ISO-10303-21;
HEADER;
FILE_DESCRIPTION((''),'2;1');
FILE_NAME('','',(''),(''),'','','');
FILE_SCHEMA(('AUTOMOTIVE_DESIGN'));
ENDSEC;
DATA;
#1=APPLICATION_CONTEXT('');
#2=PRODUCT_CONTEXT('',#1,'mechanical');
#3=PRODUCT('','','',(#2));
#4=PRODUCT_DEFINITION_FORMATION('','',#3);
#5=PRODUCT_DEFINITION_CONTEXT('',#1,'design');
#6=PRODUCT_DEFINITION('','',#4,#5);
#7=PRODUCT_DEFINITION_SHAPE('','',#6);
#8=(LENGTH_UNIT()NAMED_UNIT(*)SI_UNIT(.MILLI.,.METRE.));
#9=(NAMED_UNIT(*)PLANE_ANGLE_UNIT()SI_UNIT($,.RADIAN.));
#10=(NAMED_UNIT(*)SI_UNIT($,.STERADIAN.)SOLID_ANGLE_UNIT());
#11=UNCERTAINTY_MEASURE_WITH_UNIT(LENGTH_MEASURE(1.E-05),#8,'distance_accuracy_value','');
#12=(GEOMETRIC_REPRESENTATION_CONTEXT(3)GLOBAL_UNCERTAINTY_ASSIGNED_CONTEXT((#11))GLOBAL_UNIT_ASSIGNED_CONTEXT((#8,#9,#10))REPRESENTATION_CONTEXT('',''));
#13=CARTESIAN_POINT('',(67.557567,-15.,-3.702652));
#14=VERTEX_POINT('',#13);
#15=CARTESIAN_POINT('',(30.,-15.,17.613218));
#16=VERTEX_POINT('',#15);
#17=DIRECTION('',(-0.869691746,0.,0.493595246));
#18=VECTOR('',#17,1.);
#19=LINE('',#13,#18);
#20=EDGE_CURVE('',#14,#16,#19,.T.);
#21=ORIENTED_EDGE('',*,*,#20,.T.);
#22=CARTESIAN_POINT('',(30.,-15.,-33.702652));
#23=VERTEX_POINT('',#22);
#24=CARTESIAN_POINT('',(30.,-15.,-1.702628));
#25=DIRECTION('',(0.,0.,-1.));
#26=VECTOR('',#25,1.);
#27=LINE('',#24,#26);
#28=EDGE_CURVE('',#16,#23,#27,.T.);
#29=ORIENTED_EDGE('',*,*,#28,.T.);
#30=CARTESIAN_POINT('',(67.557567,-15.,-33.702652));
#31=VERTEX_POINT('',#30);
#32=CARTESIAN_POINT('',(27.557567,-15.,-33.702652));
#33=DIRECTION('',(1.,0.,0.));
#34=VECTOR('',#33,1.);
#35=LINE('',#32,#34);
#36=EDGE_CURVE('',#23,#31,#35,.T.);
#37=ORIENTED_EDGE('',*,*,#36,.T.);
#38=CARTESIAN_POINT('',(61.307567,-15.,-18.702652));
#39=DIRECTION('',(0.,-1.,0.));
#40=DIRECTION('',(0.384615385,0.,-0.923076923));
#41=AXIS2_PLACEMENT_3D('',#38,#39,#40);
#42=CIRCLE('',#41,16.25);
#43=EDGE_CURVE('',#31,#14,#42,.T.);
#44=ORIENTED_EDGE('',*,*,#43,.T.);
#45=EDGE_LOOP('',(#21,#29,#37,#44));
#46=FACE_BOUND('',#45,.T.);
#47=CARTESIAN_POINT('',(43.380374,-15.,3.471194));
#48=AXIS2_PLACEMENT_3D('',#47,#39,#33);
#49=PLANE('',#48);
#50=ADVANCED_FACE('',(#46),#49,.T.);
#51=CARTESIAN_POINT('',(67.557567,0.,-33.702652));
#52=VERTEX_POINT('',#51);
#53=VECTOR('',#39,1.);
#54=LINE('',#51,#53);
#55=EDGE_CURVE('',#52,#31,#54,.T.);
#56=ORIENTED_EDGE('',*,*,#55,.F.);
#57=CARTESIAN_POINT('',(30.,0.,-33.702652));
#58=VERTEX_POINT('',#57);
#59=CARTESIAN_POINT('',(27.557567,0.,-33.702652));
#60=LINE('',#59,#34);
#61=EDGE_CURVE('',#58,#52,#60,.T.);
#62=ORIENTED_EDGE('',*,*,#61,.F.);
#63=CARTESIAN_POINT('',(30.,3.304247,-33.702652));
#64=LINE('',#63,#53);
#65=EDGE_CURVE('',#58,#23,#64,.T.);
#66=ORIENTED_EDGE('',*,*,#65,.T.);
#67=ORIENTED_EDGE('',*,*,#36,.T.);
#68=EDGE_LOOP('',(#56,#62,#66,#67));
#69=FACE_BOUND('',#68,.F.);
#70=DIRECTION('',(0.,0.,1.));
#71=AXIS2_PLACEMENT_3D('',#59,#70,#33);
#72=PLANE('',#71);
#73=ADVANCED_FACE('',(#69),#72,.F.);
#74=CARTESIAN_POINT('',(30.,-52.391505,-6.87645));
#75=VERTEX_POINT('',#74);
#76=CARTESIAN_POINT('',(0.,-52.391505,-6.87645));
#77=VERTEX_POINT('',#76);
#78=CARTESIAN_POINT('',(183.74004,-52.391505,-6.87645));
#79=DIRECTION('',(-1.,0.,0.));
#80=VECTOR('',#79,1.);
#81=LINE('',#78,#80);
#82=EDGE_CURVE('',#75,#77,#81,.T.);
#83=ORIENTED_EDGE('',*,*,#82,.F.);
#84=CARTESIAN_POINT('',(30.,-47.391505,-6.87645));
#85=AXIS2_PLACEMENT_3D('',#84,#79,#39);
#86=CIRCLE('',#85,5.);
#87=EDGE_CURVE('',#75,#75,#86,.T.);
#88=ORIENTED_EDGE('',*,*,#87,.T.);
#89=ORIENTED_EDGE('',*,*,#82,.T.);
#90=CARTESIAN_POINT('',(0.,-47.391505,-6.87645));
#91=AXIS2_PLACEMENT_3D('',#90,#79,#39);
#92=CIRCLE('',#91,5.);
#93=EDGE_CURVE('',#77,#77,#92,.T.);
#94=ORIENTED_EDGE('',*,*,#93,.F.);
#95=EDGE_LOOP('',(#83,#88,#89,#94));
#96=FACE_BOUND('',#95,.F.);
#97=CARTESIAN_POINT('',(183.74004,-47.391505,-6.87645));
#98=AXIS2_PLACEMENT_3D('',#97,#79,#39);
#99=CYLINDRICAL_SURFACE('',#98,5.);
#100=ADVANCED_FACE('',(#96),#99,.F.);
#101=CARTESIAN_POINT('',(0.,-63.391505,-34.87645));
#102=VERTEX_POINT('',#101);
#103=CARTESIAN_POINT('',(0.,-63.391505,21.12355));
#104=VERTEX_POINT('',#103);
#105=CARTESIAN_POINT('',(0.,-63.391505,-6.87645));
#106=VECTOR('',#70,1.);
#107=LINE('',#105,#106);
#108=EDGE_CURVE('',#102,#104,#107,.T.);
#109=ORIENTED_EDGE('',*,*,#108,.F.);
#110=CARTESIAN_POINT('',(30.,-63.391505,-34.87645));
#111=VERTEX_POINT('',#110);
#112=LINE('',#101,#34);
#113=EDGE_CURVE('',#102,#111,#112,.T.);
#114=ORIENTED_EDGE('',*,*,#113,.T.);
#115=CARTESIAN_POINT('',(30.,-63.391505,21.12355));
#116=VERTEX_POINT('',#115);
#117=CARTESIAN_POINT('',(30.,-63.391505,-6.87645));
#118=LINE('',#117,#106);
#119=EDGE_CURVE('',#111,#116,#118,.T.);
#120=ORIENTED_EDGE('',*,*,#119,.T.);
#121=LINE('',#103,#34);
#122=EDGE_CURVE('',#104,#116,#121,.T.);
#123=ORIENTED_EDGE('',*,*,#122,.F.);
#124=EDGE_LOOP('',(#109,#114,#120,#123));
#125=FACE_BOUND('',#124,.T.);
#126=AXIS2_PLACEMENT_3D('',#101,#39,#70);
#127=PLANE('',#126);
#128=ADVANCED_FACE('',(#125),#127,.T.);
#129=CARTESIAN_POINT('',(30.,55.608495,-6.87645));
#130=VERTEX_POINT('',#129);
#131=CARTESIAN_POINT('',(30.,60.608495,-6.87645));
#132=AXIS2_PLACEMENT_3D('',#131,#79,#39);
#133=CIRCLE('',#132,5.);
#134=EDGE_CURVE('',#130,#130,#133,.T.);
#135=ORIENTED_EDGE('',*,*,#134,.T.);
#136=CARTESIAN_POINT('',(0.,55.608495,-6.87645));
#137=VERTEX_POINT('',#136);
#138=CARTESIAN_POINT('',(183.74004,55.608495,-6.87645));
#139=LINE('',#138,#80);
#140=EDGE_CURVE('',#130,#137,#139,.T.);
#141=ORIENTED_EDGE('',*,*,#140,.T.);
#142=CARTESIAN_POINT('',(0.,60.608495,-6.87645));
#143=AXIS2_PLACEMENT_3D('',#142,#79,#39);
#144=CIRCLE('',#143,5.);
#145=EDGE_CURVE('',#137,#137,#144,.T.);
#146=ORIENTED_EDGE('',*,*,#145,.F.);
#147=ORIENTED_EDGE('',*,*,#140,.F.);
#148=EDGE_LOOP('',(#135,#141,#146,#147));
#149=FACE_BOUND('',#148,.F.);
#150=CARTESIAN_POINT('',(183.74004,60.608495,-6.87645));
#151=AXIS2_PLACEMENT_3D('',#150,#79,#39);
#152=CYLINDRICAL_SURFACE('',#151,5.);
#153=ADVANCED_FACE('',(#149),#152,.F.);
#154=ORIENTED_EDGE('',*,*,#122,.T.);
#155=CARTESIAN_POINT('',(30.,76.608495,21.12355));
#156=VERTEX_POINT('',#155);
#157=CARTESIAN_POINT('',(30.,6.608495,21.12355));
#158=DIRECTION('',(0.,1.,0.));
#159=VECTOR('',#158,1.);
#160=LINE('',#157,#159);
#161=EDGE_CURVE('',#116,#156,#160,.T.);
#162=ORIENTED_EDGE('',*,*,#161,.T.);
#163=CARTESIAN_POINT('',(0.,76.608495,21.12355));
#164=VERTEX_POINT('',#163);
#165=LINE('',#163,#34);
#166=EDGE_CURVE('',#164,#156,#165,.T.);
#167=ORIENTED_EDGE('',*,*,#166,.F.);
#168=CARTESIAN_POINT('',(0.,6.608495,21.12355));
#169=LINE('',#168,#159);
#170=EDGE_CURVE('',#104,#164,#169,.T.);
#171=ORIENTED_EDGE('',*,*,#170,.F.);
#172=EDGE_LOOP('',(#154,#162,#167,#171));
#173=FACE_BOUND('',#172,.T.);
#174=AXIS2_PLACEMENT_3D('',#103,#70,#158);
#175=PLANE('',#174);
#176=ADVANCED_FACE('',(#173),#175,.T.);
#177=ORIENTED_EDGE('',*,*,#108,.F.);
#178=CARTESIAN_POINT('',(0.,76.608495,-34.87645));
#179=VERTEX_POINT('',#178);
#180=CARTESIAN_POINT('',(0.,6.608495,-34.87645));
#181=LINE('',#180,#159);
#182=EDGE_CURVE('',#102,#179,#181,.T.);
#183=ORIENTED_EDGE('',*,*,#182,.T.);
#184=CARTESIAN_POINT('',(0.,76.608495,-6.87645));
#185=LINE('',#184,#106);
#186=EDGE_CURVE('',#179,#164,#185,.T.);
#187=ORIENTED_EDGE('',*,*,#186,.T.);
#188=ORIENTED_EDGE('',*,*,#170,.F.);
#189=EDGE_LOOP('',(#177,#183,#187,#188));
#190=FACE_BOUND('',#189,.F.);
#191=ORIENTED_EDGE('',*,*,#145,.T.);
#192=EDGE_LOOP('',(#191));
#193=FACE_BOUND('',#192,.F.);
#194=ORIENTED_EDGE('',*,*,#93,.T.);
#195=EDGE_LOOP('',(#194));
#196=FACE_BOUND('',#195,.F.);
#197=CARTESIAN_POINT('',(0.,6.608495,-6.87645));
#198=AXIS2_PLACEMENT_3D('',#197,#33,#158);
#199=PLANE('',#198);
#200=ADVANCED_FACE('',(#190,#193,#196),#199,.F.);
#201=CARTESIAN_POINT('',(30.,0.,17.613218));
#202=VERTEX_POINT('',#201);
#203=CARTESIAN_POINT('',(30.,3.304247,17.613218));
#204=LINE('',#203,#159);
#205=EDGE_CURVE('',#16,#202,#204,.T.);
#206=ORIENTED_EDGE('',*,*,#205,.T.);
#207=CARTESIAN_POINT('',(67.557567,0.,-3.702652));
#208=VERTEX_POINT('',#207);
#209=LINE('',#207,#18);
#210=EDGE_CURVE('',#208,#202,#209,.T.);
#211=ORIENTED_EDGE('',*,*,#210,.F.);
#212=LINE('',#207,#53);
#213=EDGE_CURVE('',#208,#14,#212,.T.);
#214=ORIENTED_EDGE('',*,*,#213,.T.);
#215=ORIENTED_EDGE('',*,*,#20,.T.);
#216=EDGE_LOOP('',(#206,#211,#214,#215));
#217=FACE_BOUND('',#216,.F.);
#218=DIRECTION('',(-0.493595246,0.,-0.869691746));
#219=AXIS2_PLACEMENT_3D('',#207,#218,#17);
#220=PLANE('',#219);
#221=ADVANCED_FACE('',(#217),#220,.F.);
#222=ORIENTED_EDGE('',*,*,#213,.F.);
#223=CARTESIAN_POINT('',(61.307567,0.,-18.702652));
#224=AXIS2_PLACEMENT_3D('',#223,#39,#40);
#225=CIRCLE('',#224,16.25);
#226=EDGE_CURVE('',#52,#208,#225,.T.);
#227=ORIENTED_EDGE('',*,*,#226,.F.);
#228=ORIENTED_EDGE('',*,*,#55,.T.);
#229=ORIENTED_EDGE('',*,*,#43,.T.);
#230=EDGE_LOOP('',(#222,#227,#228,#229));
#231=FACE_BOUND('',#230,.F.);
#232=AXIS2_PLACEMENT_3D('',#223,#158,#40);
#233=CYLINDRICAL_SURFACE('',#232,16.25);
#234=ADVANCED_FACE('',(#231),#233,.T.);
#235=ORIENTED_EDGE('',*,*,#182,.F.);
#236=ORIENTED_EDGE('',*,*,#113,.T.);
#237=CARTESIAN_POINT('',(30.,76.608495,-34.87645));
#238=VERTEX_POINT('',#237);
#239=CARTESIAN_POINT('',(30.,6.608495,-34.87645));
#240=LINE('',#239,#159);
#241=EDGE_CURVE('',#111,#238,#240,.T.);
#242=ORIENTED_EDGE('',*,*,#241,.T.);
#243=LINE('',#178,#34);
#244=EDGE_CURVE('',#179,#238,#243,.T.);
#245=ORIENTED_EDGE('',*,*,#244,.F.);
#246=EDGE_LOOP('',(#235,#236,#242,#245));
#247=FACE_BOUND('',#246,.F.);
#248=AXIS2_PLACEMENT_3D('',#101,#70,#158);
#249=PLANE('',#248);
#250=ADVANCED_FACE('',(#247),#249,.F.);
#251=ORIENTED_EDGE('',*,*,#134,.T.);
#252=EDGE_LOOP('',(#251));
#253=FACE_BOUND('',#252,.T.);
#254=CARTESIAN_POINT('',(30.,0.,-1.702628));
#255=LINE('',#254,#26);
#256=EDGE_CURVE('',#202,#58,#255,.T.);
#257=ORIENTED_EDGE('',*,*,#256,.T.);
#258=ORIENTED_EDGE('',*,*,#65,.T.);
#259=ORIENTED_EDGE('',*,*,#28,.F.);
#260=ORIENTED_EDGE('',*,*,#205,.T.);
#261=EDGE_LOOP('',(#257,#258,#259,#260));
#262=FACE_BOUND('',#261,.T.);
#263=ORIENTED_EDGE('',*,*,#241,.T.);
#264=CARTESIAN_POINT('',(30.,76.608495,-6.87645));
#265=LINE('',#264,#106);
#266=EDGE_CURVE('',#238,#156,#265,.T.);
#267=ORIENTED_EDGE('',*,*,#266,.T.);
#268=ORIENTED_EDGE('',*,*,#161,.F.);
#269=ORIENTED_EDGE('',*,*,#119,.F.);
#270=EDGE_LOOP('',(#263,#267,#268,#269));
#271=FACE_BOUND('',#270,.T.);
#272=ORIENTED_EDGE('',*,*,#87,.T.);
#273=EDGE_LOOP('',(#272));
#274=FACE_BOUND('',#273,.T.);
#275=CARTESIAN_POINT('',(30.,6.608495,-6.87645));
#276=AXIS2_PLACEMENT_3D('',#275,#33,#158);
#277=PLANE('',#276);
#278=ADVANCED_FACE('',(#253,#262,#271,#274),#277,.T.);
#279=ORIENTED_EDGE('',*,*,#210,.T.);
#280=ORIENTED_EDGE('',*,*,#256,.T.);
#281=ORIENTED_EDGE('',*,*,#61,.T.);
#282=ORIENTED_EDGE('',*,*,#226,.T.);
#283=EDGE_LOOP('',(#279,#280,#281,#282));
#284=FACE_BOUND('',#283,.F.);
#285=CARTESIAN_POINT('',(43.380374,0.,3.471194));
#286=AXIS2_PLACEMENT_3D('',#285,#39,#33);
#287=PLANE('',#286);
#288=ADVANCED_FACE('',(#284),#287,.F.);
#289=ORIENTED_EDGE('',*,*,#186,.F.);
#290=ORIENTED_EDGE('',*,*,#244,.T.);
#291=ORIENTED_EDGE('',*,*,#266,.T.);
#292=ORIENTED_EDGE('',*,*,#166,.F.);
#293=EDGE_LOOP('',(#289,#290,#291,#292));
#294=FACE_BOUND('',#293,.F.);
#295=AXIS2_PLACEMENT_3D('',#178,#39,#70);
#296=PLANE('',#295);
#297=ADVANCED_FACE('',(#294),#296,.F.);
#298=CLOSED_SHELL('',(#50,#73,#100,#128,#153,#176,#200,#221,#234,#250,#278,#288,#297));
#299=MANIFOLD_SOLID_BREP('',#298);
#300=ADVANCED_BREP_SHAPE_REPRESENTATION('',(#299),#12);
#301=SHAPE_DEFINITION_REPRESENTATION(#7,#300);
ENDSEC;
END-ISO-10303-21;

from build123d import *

# Parameters (mm, degrees)
F0_W     = 140
F0_H     = 56
F1_DEPTH = 30
F4_D     = 10
F5_D     = 10
F7_DEPTH = 15


with BuildPart() as f1:
    # F0 (on Right) → F1 (new body)
    with BuildSketch(Plane.YZ):
        with Locations((6.608495, -6.87645)):
            Rectangle(F0_W, F0_H)
    extrude(amount=F1_DEPTH)

    # F4 (through all)
    with Locations(Plane.YZ.offset(30)):
        with Locations((-47.391505, -6.87645)):
            Hole(F4_D / 2)

    # F5 (through all)
    with Locations(Plane.YZ.offset(30)):
        with Locations((60.608495, -6.87645)):
            Hole(F5_D / 2)

    # F6 (on Front) → F7 (join)
    with BuildSketch(Plane.XZ):
        Polygon((27.557567, 18.999426), (27.557567, -3.702652), (30.328274, -3.702652), (67.557567, -3.702652), align=None)
        Polygon((30.328274, -3.702652), (27.557567, -3.702652), (27.557567, -33.702652), (67.557567, -33.702652), (67.557567, -3.702652), align=None)
        with BuildLine():
            ThreePointArc((67.557567, -33.702652), (77.557567, -18.702652), (67.557567, -3.702652))
            Line((67.557567, -3.702652), (67.557567, -33.702652))
        make_face()
    extrude(amount=F7_DEPTH)


solid = f1.part
